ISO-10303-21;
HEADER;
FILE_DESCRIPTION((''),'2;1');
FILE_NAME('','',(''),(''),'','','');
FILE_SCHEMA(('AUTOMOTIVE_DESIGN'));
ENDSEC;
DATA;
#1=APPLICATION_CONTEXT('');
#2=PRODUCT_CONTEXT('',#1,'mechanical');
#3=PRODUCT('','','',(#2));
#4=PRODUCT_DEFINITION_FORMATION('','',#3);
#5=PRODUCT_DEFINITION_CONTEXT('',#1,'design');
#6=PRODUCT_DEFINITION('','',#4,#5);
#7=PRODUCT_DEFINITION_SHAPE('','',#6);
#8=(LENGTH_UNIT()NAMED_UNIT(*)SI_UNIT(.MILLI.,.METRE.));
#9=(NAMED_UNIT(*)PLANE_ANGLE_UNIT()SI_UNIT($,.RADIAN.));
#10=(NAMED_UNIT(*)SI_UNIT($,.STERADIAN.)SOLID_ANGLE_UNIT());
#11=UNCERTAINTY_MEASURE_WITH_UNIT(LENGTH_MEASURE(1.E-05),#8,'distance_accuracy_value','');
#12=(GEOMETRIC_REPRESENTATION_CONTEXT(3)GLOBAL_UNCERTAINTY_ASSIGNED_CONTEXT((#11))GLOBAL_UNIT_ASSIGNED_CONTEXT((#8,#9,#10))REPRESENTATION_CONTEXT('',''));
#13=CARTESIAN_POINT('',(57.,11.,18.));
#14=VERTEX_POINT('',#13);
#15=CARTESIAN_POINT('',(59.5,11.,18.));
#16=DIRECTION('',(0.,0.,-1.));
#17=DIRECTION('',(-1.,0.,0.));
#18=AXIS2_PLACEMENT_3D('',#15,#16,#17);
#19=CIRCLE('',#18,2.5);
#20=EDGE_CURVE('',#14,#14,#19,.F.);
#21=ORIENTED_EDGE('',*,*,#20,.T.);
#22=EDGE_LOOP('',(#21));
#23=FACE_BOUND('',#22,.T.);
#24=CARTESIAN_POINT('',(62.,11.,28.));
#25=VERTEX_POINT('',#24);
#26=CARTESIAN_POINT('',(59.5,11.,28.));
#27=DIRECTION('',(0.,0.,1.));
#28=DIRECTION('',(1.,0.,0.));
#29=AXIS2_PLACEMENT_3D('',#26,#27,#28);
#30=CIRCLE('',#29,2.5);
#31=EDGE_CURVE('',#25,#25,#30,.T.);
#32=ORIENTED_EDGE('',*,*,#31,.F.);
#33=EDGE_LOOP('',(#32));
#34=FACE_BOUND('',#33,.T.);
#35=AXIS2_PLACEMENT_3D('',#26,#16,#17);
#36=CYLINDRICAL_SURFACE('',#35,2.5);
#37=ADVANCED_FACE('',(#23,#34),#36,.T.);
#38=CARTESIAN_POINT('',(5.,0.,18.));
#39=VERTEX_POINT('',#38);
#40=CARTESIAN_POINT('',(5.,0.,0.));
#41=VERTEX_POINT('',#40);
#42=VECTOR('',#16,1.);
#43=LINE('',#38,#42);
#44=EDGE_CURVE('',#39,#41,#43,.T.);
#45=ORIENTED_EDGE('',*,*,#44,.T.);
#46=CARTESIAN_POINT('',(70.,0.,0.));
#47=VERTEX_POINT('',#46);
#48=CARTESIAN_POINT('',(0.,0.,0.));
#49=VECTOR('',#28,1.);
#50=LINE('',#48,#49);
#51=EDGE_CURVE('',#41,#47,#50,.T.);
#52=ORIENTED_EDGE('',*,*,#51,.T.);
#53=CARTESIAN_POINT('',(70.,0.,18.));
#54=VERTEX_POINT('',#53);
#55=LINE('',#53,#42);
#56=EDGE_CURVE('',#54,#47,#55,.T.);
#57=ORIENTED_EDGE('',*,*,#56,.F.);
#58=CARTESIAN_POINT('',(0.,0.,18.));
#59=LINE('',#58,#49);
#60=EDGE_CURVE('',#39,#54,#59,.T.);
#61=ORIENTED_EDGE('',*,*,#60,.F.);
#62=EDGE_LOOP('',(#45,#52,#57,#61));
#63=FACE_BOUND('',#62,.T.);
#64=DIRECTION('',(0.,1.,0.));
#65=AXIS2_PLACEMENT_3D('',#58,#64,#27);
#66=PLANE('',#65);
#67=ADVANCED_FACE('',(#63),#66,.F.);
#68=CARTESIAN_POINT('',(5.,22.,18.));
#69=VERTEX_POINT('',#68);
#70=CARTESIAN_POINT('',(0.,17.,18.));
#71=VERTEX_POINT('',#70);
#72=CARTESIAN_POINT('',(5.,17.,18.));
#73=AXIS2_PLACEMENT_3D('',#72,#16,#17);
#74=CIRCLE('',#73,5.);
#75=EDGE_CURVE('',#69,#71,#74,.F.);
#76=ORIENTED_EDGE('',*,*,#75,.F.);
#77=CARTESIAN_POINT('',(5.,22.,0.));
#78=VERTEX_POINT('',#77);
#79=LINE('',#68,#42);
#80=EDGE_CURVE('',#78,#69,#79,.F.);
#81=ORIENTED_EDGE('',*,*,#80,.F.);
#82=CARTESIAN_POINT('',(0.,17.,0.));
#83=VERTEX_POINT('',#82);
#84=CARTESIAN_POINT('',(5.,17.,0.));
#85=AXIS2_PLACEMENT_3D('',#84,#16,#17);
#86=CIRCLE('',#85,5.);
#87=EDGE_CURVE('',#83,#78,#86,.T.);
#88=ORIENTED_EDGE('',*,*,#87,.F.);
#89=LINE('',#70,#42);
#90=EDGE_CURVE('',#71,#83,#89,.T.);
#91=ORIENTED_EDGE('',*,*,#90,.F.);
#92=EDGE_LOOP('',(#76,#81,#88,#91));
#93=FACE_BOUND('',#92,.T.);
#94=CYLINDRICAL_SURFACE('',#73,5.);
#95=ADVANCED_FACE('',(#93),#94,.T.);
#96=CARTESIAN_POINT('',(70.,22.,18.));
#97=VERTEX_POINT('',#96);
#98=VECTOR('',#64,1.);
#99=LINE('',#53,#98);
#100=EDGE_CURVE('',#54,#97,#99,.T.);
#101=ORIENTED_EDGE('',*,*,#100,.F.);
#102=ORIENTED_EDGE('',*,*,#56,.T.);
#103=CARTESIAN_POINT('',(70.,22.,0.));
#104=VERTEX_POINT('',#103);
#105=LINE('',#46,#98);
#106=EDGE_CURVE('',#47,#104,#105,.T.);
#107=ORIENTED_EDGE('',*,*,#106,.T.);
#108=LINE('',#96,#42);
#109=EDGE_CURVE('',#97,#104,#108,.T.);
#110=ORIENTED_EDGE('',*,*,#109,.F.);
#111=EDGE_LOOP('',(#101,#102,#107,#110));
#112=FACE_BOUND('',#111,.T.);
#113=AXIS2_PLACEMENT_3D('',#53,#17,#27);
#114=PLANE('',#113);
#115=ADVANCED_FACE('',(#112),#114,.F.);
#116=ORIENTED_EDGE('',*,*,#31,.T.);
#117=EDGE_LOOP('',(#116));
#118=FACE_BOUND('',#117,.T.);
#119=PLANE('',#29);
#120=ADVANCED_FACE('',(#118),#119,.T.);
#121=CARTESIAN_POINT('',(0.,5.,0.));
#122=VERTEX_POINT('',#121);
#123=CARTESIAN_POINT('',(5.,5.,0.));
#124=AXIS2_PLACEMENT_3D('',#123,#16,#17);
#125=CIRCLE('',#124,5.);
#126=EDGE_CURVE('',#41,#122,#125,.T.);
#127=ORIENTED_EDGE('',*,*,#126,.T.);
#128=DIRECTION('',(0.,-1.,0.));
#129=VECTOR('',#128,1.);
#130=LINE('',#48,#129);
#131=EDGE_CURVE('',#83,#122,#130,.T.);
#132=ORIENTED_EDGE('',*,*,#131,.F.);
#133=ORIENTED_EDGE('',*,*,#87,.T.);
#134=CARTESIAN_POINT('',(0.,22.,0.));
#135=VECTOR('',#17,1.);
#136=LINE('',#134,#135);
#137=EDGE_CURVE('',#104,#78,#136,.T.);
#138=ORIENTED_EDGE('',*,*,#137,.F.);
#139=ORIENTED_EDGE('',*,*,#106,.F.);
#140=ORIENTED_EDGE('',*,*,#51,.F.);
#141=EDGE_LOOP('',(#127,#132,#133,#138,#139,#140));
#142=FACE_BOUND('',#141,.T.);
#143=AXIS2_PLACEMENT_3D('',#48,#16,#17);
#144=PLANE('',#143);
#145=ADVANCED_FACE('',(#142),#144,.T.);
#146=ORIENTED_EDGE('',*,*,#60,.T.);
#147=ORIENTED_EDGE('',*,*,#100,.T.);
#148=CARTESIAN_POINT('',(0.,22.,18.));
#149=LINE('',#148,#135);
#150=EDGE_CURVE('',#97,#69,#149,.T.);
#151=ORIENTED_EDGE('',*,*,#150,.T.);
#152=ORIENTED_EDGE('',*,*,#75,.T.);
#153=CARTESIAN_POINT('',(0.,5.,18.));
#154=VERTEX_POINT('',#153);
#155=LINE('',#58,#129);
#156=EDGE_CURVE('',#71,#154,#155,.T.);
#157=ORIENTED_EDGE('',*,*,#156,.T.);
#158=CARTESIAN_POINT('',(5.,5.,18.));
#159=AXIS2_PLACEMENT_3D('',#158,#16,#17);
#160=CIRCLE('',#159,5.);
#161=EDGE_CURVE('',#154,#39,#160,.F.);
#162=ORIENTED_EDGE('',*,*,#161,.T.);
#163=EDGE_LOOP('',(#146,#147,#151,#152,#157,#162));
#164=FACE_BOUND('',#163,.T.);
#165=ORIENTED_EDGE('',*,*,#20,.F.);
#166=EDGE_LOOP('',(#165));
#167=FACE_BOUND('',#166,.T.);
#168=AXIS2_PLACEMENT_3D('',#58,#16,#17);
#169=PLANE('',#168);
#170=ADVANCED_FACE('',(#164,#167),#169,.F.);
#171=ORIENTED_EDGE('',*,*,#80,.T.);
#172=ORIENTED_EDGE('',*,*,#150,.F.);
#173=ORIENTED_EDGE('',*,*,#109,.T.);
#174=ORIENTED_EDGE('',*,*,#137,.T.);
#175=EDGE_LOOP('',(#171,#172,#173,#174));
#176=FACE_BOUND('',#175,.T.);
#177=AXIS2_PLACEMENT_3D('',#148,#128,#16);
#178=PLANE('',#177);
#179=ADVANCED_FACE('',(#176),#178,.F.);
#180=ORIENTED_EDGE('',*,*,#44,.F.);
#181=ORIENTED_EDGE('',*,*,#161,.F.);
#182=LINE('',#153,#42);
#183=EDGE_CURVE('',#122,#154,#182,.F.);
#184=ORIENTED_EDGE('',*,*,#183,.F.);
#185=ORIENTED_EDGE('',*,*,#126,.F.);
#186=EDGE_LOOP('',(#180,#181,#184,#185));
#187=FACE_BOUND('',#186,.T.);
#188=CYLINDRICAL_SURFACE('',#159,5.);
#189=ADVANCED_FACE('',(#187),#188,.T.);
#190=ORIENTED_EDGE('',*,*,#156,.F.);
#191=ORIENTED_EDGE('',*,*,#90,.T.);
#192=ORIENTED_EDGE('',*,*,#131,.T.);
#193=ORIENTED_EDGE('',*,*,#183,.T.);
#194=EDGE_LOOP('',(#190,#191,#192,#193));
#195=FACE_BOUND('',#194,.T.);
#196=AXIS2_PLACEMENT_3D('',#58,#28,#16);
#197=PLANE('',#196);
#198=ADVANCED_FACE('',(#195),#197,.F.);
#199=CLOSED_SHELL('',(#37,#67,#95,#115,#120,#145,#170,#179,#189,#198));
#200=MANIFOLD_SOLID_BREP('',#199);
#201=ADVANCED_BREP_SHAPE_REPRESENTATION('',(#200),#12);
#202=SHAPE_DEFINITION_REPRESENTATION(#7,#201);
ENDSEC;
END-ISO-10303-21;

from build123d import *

# Parameters (mm, degrees)
CROQUIS1_W              = 70
CROQUIS1_H              = 22
SALIENTE_EXTRUIR1_DEPTH = 18
CROQUIS2_R              = 2.5
SALIENTE_EXTRUIR2_DEPTH = 10
REDONDEO3_R             = 5
REDONDEO4_R             = 5


with BuildPart() as part:
    # Croquis1 → Saliente-Extruir1 (new body)
    with BuildSketch(Plane.XY):
        with Locations((35, 11)):
            Rectangle(CROQUIS1_W, CROQUIS1_H)
    extrude(amount=SALIENTE_EXTRUIR1_DEPTH)

    # Croquis2 → Saliente-Extruir2 (add)
    with BuildSketch(Plane.XY.offset(18)):
        with Locations(Location((59.5, 11, 0), (0, 0, 180))):
            Circle(CROQUIS2_R)
    extrude(amount=SALIENTE_EXTRUIR2_DEPTH)

    # Redondeo3
    redondeo3_edges = [part.edges().sort_by_distance(p)[0] for p in [
        (0, 22, 9),
    ]]
    fillet(redondeo3_edges, radius=REDONDEO3_R)

    # Redondeo4
    redondeo4_edges = [part.edges().sort_by_distance(p)[0] for p in [
        (0, 0, 9),
    ]]
    fillet(redondeo4_edges, radius=REDONDEO4_R)


solid = part.part
